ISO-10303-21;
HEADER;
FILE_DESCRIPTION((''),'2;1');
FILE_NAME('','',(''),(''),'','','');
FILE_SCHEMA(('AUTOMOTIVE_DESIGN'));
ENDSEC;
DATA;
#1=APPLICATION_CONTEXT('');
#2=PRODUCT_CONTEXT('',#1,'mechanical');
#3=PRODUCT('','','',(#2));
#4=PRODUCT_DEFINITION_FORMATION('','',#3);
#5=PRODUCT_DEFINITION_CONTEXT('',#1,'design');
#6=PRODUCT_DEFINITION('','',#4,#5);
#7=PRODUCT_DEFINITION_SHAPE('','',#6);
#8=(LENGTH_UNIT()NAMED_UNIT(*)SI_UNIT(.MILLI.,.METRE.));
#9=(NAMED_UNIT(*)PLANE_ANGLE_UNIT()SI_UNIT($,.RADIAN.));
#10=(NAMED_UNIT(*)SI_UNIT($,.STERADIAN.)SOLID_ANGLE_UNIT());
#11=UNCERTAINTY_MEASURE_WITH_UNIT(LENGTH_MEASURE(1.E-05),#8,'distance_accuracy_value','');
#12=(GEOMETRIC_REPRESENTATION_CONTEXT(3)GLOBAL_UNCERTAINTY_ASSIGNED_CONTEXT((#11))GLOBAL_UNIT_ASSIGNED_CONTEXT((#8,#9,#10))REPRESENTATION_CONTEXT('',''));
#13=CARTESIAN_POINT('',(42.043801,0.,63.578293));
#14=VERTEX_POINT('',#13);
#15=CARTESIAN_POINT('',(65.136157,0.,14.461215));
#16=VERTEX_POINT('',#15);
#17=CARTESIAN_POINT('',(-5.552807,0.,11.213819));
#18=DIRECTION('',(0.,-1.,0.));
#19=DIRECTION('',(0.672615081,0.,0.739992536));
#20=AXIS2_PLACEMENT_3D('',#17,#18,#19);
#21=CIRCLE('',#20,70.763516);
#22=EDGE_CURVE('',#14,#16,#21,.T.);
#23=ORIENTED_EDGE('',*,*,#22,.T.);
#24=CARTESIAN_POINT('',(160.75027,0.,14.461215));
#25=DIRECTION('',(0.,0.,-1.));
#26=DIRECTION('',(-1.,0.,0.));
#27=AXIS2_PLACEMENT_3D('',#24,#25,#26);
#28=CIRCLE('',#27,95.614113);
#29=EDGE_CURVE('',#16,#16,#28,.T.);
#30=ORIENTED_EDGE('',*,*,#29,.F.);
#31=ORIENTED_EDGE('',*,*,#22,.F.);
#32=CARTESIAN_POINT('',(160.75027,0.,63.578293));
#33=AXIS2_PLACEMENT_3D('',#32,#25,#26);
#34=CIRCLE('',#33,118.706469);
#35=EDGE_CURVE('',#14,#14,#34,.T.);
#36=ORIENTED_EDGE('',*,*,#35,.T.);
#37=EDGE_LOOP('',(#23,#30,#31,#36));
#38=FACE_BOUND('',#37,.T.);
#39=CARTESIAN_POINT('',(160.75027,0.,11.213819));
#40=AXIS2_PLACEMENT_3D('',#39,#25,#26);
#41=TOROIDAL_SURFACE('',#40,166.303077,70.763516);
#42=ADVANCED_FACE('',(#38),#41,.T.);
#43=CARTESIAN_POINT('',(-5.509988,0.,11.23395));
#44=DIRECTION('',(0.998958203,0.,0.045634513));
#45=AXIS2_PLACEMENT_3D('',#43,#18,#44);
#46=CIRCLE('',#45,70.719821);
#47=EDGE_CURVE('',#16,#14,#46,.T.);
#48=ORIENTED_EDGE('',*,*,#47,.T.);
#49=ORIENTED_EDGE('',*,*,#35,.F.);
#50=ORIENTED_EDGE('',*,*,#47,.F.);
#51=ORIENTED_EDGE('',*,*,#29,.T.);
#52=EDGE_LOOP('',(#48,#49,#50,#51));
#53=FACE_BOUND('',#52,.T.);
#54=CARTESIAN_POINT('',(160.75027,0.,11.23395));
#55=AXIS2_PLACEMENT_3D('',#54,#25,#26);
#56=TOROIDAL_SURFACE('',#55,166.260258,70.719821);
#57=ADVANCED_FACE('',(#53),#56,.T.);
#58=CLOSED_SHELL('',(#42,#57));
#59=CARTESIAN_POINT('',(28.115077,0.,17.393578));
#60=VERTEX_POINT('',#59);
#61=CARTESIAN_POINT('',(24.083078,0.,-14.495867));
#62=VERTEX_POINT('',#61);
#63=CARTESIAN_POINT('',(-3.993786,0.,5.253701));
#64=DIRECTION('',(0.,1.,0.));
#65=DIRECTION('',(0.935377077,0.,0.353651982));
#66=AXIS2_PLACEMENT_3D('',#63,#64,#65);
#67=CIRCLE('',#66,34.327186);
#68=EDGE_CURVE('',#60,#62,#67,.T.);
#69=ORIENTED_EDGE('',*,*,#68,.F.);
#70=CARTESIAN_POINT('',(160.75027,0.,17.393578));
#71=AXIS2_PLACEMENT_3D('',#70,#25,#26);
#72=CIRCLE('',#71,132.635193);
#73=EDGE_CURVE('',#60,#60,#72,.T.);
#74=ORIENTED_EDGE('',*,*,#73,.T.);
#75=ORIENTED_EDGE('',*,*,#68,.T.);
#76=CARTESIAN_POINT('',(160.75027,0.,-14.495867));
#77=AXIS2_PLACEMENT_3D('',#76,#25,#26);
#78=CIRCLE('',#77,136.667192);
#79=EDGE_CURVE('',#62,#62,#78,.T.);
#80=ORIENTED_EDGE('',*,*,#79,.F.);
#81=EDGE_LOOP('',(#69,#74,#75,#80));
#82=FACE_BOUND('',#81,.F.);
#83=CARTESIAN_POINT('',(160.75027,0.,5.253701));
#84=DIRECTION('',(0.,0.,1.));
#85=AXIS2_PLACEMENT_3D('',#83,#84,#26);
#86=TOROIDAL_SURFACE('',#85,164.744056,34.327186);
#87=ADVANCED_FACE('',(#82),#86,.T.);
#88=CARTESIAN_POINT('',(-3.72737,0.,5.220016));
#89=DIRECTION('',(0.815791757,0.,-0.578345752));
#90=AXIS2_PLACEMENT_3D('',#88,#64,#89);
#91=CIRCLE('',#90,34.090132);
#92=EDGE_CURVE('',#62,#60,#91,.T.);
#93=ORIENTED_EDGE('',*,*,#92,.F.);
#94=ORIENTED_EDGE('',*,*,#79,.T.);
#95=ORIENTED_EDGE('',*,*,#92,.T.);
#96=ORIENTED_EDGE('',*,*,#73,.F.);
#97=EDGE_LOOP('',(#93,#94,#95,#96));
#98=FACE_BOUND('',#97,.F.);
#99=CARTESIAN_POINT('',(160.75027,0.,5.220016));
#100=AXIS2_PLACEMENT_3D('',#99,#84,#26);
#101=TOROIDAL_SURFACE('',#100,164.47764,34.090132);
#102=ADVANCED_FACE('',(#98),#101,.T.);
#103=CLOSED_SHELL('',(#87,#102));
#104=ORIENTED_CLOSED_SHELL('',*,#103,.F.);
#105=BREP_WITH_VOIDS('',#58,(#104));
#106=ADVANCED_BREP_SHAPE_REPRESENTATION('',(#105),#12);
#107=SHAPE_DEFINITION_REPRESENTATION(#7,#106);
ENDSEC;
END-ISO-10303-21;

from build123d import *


with BuildPart() as f1:
    # F0 (on Front) → F1 (revolve)
    with BuildSketch(Plane.XZ):
        with BuildLine():
            ThreePointArc((65.136157, 14.461215), (58.489449, 41.323236), (42.043801, 63.578293))
            ThreePointArc((42.043801, 63.578293), (-69.591788, -18.894057), (65.136157, 14.461215))
        make_face()
        with BuildLine():
            ThreePointArc((24.083078, -14.495867), (-37.548239, 9.496218), (28.115077, 17.393578))
            ThreePointArc((28.115077, 17.393578), (30.062265, 0.947763), (24.083078, -14.495867))
        make_face(mode=Mode.SUBTRACT)
    revolve(axis=Axis((160.75027, 0, 2.65924), (0, 0, -1)))


solid = f1.part
